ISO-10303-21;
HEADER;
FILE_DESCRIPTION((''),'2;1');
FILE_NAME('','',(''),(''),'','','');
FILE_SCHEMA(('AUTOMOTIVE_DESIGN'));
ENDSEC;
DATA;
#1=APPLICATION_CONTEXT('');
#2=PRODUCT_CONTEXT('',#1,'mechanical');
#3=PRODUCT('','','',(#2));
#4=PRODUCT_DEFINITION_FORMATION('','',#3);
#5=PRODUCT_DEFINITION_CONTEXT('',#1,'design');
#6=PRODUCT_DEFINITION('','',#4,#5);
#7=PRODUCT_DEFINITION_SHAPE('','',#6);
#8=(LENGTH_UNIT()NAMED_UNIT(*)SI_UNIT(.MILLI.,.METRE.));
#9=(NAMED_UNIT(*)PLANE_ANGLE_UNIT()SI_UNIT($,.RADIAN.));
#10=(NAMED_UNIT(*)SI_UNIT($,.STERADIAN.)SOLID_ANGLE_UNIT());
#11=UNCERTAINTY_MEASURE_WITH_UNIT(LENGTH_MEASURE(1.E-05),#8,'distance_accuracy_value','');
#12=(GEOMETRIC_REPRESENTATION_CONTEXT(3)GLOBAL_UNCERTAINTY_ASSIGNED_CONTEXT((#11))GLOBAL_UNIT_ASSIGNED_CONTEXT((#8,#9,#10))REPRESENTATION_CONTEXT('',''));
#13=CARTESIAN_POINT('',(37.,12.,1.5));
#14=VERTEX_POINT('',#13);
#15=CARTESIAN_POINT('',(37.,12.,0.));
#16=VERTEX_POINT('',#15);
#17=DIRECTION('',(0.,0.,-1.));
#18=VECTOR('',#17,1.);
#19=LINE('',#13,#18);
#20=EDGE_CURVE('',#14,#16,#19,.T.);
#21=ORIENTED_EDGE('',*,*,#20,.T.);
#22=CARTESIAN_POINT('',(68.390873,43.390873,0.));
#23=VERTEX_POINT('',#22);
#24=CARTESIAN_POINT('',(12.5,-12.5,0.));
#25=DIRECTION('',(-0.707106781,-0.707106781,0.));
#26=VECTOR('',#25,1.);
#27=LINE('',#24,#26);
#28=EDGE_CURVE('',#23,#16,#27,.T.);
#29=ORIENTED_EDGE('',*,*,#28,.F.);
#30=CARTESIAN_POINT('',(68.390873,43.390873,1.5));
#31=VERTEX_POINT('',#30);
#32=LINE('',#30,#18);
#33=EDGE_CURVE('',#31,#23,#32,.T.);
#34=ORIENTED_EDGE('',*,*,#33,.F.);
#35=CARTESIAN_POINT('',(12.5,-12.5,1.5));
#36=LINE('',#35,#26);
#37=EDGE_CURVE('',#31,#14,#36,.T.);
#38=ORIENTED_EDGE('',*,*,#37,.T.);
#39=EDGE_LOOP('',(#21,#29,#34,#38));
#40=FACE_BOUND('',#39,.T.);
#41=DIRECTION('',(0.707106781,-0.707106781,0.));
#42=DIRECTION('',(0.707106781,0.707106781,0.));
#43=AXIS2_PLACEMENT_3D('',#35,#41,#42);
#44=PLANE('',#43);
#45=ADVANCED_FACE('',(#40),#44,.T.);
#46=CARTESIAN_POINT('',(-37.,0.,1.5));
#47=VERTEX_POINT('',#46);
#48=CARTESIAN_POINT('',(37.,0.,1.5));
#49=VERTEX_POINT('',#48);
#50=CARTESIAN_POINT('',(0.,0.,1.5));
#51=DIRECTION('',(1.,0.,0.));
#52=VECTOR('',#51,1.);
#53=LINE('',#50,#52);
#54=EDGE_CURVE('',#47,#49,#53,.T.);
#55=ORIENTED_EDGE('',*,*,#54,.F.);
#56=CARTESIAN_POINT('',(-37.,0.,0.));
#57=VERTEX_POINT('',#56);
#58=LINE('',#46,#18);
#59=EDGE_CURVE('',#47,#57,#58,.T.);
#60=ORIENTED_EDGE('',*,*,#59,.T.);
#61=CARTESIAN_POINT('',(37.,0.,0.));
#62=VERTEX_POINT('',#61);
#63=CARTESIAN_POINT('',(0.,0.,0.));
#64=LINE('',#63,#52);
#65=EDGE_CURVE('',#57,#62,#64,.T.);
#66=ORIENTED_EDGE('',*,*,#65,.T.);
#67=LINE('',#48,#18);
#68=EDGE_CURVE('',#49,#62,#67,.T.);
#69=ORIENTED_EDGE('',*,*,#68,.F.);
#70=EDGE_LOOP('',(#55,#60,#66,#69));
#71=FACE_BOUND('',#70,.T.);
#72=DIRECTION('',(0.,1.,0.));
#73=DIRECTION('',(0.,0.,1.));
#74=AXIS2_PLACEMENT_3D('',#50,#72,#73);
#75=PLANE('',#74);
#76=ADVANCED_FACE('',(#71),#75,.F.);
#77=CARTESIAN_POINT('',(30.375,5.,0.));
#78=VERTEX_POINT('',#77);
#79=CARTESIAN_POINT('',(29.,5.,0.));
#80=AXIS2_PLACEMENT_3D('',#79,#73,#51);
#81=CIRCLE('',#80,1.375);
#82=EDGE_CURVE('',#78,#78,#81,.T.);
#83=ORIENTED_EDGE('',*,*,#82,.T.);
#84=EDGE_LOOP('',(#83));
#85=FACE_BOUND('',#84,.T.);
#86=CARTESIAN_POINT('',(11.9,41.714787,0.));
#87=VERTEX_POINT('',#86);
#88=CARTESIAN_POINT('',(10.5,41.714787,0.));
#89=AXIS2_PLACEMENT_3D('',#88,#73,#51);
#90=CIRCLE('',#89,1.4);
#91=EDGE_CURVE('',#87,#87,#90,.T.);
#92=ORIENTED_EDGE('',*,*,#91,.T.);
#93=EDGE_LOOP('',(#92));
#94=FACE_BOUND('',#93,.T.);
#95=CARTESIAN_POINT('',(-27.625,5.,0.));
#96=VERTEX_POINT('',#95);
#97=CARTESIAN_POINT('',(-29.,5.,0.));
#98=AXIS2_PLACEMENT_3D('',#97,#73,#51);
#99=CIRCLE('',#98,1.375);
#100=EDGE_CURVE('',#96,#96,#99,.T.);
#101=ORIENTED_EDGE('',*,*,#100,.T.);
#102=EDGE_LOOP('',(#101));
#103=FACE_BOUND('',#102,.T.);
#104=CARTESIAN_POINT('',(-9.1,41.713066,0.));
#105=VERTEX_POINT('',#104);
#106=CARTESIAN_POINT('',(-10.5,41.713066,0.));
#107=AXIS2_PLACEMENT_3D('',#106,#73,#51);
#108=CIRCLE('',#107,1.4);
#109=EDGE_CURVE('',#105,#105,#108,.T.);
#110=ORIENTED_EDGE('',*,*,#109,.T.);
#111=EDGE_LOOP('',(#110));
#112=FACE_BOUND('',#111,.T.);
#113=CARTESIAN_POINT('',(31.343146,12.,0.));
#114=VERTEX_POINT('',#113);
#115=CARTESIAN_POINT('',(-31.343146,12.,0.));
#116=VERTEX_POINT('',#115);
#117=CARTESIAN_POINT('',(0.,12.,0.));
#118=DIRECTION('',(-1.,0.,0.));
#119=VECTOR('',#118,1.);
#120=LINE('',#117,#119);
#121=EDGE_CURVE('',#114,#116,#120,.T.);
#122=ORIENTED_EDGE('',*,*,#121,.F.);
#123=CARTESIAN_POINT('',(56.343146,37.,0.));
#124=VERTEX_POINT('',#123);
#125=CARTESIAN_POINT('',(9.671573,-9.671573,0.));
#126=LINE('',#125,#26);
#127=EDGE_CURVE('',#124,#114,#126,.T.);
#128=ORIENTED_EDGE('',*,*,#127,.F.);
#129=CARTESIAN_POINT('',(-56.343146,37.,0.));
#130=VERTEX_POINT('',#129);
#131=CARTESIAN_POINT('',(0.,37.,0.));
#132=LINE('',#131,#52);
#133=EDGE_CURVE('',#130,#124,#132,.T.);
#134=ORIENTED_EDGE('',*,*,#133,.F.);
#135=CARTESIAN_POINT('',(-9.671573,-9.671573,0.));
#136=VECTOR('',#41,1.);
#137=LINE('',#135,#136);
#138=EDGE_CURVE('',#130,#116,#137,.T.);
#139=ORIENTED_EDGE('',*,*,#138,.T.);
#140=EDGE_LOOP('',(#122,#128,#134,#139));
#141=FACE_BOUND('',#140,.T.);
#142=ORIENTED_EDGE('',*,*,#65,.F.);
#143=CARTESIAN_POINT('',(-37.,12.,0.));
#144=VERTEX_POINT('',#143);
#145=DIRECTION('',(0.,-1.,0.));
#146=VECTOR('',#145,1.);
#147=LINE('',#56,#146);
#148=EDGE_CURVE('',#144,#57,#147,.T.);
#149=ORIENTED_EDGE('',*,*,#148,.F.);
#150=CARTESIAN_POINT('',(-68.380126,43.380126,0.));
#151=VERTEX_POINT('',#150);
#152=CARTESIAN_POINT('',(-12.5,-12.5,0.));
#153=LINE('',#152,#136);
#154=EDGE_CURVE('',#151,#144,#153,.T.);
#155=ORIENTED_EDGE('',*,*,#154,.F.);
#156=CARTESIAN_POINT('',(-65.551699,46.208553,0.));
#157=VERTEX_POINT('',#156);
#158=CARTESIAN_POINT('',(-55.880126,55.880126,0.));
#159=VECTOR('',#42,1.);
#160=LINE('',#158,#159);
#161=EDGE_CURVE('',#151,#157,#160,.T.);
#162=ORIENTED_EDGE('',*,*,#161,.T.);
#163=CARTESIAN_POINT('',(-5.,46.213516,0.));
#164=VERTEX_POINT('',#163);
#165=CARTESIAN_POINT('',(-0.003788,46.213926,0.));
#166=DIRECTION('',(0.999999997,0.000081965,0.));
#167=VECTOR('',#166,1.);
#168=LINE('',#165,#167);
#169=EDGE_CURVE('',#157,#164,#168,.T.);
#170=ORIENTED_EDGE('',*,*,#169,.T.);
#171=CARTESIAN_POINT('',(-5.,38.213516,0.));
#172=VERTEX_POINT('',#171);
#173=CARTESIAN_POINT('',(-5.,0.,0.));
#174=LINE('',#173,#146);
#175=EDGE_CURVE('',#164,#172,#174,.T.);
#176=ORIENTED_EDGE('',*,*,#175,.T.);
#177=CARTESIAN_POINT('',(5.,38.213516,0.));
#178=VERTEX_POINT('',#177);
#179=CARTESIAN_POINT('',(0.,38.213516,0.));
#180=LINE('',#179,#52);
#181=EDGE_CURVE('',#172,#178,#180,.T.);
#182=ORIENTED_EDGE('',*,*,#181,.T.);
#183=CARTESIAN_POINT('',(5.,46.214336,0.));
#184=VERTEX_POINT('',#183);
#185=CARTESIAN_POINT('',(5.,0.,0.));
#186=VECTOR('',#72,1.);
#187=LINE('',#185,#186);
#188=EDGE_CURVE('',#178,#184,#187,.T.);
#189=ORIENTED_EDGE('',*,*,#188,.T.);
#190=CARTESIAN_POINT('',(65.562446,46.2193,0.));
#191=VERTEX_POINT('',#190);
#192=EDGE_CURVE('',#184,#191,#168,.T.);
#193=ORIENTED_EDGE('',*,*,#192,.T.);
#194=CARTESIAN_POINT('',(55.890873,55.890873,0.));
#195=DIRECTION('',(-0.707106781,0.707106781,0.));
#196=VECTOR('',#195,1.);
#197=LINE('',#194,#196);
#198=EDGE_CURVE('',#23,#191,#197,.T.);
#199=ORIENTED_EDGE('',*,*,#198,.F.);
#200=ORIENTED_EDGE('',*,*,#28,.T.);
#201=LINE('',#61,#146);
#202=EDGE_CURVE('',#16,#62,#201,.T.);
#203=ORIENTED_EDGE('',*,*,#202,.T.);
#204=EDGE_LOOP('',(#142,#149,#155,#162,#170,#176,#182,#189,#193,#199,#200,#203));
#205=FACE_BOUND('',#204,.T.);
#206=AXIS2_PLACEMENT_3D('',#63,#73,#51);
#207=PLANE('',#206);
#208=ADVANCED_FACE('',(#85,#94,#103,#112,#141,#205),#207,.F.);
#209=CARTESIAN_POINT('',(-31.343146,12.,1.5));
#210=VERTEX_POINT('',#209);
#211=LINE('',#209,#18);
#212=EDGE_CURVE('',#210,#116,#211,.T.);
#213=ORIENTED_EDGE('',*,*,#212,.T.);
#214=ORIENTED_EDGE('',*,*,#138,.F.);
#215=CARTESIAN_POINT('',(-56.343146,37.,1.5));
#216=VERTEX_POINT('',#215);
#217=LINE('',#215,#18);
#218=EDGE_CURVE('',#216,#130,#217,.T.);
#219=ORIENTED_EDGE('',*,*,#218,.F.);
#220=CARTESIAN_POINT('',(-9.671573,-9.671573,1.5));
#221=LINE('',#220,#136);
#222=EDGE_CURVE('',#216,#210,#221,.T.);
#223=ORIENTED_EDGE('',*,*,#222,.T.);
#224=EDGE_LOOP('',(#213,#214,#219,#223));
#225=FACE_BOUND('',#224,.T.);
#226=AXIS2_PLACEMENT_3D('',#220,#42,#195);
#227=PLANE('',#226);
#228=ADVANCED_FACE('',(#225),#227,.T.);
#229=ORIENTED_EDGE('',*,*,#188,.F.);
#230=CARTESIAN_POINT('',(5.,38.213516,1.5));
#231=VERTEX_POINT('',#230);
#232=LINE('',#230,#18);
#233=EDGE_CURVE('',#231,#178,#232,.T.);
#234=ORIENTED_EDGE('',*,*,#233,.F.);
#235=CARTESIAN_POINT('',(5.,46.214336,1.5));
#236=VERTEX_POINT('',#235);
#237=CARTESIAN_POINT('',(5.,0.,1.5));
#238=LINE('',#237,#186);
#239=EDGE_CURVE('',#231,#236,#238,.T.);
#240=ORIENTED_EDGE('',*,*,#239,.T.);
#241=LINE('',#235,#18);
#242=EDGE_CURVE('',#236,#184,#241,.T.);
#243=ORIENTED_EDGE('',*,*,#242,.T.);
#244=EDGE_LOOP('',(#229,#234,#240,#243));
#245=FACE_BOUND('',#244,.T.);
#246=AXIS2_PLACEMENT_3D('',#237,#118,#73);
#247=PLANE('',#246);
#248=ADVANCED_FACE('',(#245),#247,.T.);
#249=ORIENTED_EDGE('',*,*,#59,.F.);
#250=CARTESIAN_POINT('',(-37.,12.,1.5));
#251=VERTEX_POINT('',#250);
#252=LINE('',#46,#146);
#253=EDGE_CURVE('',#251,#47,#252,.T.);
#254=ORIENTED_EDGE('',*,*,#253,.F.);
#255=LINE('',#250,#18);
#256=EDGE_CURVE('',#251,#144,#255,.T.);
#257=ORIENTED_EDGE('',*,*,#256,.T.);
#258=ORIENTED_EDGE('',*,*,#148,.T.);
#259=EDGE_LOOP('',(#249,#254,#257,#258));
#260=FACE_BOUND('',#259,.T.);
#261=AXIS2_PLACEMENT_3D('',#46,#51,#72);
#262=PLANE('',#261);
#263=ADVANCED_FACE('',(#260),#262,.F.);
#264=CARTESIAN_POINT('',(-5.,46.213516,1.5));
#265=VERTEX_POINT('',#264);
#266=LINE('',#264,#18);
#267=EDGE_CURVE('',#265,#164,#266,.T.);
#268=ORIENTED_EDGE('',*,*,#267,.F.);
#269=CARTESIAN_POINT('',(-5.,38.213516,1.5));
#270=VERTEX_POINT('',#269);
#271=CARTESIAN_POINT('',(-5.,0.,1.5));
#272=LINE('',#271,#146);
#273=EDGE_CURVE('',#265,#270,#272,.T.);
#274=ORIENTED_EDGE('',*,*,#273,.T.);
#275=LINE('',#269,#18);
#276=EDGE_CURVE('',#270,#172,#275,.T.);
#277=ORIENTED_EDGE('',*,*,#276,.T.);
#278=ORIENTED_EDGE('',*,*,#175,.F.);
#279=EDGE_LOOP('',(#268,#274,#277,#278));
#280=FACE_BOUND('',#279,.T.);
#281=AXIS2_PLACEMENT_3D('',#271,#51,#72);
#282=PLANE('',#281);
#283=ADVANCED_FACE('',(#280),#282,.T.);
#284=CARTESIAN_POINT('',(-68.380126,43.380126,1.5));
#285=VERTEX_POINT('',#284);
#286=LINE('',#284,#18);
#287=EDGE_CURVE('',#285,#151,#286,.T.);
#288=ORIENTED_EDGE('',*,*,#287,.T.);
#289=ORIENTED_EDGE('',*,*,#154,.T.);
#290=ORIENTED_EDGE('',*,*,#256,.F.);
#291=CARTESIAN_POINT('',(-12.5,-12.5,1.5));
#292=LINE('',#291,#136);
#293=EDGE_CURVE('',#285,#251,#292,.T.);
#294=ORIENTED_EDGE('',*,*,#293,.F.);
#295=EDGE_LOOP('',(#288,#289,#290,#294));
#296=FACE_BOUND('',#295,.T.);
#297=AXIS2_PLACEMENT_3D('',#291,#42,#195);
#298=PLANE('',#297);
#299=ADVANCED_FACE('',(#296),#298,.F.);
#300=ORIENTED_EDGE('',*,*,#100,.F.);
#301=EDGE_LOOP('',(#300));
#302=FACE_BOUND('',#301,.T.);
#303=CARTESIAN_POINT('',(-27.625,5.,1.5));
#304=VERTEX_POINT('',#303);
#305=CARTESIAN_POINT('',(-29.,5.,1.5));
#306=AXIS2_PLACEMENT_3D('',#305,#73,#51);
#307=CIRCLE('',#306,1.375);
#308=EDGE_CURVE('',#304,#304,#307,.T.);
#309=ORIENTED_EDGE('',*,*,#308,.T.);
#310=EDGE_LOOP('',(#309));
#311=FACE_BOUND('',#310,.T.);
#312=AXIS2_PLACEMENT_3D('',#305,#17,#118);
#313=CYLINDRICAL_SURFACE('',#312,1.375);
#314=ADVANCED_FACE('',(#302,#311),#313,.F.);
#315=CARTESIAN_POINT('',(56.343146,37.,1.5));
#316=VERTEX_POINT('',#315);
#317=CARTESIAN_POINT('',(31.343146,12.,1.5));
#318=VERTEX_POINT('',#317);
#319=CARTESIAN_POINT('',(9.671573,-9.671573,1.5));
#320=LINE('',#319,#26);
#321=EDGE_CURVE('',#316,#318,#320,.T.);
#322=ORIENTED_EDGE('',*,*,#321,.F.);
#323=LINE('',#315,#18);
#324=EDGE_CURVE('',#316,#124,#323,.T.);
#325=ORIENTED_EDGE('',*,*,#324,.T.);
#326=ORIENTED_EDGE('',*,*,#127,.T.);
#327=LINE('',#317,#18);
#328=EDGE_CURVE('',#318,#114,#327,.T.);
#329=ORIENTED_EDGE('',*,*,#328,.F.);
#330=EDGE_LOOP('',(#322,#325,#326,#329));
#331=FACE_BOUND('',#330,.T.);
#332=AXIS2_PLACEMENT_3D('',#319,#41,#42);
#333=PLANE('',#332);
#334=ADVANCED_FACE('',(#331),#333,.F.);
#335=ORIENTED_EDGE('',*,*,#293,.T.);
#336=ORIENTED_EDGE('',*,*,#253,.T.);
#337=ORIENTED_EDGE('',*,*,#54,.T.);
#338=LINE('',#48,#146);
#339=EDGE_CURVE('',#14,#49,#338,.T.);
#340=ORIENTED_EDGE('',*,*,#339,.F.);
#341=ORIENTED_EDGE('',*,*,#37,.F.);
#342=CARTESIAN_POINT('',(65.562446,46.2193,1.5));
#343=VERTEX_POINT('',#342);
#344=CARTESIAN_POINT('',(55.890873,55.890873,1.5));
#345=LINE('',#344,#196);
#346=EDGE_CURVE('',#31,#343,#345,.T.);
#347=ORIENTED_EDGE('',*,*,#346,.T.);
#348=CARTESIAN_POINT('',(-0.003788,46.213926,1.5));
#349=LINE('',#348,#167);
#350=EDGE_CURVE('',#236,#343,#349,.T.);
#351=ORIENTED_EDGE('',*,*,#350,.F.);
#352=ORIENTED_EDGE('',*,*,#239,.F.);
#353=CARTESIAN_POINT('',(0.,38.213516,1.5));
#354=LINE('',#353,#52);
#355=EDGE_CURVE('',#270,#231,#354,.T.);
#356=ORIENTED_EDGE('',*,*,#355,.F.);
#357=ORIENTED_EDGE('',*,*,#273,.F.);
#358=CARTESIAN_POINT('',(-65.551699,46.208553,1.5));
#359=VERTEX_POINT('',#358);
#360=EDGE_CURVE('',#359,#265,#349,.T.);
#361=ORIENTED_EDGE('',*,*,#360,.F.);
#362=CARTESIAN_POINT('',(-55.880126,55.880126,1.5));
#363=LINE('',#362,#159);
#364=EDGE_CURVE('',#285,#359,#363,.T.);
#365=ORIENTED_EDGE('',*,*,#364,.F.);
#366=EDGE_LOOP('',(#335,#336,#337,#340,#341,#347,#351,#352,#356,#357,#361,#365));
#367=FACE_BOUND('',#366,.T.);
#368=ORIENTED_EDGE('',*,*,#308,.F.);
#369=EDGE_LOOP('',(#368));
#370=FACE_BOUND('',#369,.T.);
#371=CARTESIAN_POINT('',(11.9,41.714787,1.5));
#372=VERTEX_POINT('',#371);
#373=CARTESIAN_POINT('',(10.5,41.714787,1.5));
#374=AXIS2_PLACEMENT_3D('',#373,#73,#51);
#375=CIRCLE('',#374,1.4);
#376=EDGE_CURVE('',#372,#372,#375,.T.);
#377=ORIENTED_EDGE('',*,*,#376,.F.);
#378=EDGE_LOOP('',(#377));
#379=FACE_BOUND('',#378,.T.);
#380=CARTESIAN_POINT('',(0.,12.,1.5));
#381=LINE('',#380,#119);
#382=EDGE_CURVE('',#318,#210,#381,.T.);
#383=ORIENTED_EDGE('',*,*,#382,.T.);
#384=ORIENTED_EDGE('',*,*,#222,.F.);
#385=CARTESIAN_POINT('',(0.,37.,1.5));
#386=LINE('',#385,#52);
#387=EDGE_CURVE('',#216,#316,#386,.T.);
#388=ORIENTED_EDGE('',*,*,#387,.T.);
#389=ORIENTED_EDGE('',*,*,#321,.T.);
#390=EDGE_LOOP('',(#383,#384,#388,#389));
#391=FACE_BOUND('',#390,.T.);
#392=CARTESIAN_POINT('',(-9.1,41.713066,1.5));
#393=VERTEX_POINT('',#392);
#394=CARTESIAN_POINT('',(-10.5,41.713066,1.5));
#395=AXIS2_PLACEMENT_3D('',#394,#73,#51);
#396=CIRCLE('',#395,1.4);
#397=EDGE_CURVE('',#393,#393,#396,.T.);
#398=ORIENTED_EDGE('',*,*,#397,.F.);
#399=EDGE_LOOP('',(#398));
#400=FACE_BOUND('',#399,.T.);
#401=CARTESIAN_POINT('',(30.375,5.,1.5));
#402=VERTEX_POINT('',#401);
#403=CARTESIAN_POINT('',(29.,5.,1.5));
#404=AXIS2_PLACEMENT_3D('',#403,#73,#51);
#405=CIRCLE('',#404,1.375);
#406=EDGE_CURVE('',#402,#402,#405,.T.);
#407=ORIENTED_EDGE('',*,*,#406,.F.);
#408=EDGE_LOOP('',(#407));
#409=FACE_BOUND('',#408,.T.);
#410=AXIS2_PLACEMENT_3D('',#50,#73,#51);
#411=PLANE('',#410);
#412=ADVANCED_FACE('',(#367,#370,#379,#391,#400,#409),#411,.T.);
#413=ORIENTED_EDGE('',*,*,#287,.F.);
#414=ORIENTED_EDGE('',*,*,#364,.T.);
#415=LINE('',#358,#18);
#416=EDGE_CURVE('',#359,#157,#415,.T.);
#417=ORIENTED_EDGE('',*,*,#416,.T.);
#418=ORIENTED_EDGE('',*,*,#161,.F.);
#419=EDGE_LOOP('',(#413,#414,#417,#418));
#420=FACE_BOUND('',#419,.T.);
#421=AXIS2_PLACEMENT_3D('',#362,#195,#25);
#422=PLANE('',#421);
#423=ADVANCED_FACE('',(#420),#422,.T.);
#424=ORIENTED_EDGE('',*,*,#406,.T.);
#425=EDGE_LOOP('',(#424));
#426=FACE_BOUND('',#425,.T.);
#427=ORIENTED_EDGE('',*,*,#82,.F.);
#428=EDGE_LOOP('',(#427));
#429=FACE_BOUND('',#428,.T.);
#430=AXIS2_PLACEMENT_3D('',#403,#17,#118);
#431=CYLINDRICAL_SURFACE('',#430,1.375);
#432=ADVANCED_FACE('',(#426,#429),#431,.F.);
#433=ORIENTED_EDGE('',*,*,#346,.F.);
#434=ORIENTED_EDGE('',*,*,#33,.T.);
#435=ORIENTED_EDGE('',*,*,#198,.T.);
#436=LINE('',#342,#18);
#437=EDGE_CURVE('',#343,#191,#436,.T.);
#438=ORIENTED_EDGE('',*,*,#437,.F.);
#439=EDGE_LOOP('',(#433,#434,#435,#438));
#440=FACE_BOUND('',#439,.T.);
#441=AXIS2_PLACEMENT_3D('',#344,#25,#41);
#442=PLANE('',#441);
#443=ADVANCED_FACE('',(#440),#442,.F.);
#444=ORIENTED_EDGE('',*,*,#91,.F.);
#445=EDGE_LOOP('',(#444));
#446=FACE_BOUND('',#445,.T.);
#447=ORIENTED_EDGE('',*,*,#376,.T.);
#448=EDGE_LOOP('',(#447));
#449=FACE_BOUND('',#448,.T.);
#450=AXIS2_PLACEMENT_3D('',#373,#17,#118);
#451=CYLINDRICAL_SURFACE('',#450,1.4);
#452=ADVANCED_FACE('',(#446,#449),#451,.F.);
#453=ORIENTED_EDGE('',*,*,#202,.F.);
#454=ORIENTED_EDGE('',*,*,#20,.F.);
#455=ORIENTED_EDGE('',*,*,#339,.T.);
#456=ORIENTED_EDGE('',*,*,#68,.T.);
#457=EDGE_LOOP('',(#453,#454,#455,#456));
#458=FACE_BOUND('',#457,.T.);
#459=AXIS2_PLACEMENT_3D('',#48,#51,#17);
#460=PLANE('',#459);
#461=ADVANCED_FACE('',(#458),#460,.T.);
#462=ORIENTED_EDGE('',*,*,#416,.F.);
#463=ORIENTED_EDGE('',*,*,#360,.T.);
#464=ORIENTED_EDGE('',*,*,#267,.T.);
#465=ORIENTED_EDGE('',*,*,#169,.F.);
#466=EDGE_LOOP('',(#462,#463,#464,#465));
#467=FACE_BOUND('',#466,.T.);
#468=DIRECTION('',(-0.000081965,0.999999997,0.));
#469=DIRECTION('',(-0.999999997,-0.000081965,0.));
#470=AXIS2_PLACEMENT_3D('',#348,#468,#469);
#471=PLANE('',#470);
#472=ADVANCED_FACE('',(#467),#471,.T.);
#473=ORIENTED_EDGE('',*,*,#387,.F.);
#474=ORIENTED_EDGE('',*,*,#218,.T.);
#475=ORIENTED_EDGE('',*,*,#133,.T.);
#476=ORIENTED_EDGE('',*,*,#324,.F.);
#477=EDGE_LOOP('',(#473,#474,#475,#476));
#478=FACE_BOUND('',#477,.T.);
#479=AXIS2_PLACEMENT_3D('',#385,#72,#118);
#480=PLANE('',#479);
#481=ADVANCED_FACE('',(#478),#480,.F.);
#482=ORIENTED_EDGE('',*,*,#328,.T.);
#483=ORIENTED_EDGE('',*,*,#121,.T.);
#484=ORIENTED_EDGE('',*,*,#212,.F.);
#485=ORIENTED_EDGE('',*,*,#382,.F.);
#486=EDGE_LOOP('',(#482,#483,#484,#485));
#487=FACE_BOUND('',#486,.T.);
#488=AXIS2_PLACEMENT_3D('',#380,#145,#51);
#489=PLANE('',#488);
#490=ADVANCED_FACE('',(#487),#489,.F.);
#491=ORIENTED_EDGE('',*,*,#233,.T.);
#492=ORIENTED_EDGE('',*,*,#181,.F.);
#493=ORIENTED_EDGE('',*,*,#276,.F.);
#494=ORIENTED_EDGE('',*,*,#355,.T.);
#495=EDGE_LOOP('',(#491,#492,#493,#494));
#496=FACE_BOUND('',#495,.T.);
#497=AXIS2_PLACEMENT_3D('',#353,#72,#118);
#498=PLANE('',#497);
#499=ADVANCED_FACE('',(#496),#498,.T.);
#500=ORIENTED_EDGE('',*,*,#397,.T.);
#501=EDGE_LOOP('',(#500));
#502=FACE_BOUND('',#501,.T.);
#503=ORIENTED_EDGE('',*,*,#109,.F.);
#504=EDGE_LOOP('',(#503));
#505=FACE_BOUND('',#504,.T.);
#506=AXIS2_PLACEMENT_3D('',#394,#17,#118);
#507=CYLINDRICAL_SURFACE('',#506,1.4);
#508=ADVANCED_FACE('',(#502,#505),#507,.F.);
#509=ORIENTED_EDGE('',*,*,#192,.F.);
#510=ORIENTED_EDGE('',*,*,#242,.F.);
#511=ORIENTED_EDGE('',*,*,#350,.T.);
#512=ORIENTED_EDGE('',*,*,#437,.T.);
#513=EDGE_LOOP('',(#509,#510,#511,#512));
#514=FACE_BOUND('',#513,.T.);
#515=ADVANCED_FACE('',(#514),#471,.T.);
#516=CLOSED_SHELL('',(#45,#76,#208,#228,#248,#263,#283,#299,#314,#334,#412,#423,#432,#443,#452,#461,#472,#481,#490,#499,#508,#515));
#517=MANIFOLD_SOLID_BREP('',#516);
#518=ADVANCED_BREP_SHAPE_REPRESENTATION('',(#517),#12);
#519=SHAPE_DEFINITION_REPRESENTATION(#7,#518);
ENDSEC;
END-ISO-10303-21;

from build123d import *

# Parameters (mm, degrees)
SKETCH1_R           = 1.375
SKETCH1_R_2         = 1.4
BOSS_EXTRUDE1_DEPTH = 1.5


with BuildPart() as part:
    # Sketch1 → Boss-Extrude1 (new body)
    # profile 1 of 2: a face of its own
    with BuildSketch(Plane.XY):
        Polygon((37, 12), (37, 0), (-37, 0), (-37, 12), (-68.380126203, 43.380126203), (-65.551699078, 46.208553328), (-31.343145751, 12), (31.343145751, 12), (65.562445841, 46.21930009), (68.390872965, 43.390872965), align=None)
        with Locations((29, 5)):
            Circle(SKETCH1_R, mode=Mode.SUBTRACT)
        with Locations((-29, 5)):
            Circle(SKETCH1_R, mode=Mode.SUBTRACT)
    # profile 2 of 2: a face of its own
    with BuildSketch(Plane.XY):
        Polygon((-5, 46.213516444), (-65.551699078, 46.208553328), (-56.343145751, 37), (56.343145751, 37), (65.562445841, 46.21930009), (5, 46.214336093), (5, 38.213516444), (-5, 38.213516444), align=None)
        with Locations((-10.5, 41.713065622)):
            Circle(SKETCH1_R_2, mode=Mode.SUBTRACT)
        with Locations((10.499999929, 41.714786885)):
            Circle(SKETCH1_R_2, mode=Mode.SUBTRACT)
    extrude(amount=BOSS_EXTRUDE1_DEPTH)


solid = part.part
